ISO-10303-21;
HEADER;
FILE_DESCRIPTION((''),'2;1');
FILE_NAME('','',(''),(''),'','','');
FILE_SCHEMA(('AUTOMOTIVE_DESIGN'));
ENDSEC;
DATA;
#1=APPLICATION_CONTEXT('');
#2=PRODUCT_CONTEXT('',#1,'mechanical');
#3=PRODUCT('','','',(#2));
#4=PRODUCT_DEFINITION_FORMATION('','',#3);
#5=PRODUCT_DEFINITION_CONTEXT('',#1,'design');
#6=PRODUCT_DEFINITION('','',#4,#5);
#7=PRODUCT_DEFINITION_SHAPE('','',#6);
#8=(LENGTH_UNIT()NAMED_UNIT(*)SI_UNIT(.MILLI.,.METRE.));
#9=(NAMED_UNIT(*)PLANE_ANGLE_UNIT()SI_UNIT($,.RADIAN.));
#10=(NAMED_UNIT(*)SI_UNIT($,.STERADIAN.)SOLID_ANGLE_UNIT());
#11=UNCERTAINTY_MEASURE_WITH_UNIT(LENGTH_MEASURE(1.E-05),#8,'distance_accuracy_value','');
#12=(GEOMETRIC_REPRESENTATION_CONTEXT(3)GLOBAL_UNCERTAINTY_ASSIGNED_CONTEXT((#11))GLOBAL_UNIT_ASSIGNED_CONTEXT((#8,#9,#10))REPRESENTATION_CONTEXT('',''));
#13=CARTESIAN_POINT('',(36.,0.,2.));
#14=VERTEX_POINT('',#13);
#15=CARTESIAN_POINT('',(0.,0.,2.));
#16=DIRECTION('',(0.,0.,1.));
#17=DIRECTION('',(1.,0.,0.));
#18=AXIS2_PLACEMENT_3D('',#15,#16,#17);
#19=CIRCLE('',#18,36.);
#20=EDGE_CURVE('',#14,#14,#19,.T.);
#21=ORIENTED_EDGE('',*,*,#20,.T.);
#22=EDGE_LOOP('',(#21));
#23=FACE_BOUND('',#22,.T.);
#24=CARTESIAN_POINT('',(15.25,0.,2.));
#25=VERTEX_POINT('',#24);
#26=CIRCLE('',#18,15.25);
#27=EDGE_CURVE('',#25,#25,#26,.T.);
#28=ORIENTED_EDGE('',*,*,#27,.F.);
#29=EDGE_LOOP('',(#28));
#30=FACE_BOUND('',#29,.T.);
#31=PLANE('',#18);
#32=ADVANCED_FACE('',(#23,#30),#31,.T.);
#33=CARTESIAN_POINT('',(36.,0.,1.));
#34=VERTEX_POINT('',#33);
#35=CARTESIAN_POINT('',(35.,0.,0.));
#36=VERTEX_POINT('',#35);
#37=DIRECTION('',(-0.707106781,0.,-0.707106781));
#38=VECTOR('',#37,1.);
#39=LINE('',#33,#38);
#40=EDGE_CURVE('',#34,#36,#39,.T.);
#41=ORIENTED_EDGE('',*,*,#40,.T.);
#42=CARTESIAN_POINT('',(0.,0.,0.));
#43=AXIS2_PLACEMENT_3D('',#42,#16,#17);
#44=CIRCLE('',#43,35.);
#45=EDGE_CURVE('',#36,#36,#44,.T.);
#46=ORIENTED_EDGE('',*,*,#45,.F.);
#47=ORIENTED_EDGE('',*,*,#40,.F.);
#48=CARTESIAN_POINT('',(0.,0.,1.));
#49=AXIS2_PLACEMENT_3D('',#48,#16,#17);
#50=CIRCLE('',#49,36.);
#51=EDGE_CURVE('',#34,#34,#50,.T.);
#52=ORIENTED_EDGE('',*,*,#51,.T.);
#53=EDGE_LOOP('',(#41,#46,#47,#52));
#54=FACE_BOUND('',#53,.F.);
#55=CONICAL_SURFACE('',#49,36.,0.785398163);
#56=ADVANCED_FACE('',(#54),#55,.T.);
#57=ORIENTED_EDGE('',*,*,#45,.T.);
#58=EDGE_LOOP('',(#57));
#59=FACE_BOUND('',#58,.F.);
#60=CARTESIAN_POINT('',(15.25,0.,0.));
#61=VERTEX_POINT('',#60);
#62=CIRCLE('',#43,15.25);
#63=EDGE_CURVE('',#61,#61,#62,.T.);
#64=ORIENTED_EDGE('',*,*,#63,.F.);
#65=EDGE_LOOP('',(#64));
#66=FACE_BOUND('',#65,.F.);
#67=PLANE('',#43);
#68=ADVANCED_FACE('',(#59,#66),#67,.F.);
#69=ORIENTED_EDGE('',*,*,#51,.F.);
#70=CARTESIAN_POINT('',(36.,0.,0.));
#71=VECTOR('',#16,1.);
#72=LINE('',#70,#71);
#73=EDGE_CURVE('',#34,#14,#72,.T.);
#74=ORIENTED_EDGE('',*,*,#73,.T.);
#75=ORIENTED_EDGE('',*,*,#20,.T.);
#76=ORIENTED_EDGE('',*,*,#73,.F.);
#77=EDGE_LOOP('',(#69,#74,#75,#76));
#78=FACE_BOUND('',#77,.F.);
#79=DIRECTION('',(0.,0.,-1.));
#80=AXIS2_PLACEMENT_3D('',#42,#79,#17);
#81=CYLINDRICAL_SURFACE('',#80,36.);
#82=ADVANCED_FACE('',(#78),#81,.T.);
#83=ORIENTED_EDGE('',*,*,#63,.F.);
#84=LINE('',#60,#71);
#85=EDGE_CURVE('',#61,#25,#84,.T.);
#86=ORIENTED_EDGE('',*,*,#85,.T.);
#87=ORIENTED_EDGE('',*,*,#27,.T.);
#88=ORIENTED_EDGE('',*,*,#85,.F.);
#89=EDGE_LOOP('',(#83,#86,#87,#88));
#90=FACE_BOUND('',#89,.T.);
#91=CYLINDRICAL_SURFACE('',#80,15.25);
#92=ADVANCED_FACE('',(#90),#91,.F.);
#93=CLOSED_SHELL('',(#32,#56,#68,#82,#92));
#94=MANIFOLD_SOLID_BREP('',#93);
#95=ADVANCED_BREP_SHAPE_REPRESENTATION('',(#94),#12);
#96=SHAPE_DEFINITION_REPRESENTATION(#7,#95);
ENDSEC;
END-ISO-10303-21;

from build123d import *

# Parameters (mm, degrees)
SKETCH_R     = 36
SKETCH_R_2   = 15.25
PAD_DEPTH    = 2
CHAMFER_SIZE = 1


with BuildPart() as part:
    # Sketch → Pad (new body)
    with BuildSketch(Plane.XY):
        Circle(SKETCH_R)
        Circle(SKETCH_R_2, mode=Mode.SUBTRACT)
    extrude(amount=PAD_DEPTH)

    # Chamfer
    chamfer_edges = [part.edges().sort_by_distance(p)[0] for p in [
        (-36, 0, 0),
    ]]
    chamfer(chamfer_edges, length=CHAMFER_SIZE)


solid = part.part
